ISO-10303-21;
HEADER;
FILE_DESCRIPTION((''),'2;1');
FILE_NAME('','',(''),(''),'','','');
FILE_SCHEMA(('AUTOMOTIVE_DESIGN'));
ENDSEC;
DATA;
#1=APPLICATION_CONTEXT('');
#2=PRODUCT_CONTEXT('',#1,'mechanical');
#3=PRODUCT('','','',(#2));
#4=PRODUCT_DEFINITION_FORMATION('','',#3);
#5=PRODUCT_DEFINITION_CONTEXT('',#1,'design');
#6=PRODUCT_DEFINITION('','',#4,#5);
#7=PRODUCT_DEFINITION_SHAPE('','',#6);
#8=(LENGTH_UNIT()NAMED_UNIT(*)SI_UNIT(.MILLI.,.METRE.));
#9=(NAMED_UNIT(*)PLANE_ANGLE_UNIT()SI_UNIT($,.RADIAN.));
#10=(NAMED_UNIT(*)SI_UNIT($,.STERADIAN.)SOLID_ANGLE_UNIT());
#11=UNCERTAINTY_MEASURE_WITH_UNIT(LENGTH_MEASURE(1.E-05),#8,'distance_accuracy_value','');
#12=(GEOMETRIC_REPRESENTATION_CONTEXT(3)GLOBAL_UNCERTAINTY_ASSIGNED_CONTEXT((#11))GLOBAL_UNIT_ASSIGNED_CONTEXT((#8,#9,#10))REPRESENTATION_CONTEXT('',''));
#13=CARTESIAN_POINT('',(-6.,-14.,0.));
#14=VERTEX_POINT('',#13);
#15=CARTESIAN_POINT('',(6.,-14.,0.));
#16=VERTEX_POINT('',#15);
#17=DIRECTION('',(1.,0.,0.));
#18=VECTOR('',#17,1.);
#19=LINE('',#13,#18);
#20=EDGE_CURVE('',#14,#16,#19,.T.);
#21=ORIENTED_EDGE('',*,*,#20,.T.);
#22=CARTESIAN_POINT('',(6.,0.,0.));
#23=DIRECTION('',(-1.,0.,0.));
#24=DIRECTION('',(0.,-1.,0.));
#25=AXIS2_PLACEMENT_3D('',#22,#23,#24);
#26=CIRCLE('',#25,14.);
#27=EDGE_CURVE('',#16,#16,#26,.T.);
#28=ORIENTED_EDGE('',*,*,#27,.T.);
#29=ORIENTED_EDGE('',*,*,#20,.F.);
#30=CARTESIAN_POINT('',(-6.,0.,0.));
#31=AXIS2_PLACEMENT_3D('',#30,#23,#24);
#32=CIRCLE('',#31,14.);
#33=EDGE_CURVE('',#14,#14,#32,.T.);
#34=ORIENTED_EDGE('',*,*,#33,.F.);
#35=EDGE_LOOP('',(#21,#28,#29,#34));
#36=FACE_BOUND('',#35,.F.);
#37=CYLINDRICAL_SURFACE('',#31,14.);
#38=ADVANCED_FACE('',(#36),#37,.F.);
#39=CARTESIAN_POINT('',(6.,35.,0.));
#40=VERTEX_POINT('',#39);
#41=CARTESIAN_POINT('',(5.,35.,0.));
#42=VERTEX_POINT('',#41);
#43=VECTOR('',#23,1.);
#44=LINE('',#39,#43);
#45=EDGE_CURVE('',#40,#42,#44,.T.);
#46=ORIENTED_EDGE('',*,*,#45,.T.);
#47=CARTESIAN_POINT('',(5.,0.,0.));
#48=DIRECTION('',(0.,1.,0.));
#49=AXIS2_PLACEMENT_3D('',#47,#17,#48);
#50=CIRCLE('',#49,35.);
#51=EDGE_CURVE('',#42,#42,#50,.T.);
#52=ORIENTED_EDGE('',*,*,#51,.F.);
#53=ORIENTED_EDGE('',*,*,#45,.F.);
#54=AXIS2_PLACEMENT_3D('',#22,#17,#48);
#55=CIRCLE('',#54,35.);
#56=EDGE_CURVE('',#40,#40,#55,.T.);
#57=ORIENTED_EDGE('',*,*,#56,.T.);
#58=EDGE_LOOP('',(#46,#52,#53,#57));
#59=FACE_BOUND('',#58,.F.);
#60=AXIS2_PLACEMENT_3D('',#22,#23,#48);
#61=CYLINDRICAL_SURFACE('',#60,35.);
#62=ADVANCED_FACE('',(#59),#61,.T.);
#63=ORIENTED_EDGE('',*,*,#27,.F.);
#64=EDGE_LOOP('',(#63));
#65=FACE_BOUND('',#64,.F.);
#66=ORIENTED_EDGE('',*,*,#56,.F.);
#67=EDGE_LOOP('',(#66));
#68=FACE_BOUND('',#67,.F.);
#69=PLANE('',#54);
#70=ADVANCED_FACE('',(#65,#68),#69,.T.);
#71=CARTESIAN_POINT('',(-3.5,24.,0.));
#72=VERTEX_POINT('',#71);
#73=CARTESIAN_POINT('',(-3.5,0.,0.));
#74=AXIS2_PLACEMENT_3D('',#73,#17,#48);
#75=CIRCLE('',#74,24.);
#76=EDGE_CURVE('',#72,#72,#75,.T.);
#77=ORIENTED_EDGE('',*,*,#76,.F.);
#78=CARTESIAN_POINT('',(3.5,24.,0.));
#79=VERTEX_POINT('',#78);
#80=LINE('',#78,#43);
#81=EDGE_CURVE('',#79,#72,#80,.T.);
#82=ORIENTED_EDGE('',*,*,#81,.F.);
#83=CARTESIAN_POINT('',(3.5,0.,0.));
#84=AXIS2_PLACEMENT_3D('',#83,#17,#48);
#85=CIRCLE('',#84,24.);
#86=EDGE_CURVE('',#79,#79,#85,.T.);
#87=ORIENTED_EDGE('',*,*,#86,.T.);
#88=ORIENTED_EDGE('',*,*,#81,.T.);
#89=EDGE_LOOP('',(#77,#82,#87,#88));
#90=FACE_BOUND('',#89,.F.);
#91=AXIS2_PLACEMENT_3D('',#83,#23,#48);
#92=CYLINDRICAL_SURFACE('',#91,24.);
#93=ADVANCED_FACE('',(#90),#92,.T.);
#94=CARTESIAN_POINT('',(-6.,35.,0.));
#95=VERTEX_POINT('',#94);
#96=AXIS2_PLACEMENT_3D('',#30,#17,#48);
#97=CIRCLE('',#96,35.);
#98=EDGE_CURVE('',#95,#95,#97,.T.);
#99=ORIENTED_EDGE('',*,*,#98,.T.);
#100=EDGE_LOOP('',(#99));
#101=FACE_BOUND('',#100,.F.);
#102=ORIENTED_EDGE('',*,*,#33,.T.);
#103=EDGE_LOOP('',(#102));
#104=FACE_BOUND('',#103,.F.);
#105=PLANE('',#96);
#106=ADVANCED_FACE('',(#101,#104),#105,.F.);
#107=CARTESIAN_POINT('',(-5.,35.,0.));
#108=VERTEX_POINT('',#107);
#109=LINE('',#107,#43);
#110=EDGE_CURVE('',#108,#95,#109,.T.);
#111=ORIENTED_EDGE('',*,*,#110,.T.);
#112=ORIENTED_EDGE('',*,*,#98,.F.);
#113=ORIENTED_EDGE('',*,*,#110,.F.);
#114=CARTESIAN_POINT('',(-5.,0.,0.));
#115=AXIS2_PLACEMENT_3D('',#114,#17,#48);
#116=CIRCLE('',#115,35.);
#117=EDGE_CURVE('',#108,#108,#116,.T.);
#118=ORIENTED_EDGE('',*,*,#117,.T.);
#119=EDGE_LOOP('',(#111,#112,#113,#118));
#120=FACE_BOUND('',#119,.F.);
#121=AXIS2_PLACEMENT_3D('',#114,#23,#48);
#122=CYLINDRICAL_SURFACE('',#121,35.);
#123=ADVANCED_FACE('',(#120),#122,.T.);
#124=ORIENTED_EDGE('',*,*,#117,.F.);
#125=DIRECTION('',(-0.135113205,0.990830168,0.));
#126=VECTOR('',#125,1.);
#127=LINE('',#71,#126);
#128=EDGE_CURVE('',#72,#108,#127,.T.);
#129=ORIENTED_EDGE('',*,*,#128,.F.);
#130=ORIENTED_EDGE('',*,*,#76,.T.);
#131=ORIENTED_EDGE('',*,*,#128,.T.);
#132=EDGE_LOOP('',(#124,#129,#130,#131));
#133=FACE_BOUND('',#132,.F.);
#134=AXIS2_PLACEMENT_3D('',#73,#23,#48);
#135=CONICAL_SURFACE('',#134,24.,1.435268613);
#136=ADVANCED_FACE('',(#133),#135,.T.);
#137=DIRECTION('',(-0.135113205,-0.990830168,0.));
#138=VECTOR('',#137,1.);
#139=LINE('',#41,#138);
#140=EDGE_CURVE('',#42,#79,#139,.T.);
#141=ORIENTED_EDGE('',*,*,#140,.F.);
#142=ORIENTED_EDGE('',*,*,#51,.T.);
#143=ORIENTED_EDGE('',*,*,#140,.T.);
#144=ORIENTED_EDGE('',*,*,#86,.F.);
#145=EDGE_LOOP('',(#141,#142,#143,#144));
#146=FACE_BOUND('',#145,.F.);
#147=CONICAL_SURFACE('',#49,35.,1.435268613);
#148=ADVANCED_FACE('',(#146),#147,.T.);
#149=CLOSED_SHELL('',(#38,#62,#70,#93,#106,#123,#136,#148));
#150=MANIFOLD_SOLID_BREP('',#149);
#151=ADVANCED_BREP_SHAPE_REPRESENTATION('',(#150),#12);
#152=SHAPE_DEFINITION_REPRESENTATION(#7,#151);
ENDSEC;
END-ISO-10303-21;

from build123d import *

# Parameters (mm, degrees)
SKETCH001_R  = 14
POCKET_DEPTH = 12.001


with BuildPart() as part:
    # Sketch → Revolution (revolve)
    with BuildSketch(Plane.XY):
        Polygon((-6, 0), (6, 0), (6, 35), (5, 35), (3.5, 24), (-3.5, 24), (-5, 35), (-6, 35), align=None)
    revolve(axis=Axis((0, 0, 0), (1, 0, 0)))

    # Sketch001 (on Face1 of Revolution) → Pocket (cut, through all)
    with BuildSketch(Plane(origin=(-6, 0, 0), x_dir=(0, -1, 0), z_dir=(-1, 0, 0))):
        Circle(SKETCH001_R)
    extrude(amount=-POCKET_DEPTH, mode=Mode.SUBTRACT)


solid = part.part
